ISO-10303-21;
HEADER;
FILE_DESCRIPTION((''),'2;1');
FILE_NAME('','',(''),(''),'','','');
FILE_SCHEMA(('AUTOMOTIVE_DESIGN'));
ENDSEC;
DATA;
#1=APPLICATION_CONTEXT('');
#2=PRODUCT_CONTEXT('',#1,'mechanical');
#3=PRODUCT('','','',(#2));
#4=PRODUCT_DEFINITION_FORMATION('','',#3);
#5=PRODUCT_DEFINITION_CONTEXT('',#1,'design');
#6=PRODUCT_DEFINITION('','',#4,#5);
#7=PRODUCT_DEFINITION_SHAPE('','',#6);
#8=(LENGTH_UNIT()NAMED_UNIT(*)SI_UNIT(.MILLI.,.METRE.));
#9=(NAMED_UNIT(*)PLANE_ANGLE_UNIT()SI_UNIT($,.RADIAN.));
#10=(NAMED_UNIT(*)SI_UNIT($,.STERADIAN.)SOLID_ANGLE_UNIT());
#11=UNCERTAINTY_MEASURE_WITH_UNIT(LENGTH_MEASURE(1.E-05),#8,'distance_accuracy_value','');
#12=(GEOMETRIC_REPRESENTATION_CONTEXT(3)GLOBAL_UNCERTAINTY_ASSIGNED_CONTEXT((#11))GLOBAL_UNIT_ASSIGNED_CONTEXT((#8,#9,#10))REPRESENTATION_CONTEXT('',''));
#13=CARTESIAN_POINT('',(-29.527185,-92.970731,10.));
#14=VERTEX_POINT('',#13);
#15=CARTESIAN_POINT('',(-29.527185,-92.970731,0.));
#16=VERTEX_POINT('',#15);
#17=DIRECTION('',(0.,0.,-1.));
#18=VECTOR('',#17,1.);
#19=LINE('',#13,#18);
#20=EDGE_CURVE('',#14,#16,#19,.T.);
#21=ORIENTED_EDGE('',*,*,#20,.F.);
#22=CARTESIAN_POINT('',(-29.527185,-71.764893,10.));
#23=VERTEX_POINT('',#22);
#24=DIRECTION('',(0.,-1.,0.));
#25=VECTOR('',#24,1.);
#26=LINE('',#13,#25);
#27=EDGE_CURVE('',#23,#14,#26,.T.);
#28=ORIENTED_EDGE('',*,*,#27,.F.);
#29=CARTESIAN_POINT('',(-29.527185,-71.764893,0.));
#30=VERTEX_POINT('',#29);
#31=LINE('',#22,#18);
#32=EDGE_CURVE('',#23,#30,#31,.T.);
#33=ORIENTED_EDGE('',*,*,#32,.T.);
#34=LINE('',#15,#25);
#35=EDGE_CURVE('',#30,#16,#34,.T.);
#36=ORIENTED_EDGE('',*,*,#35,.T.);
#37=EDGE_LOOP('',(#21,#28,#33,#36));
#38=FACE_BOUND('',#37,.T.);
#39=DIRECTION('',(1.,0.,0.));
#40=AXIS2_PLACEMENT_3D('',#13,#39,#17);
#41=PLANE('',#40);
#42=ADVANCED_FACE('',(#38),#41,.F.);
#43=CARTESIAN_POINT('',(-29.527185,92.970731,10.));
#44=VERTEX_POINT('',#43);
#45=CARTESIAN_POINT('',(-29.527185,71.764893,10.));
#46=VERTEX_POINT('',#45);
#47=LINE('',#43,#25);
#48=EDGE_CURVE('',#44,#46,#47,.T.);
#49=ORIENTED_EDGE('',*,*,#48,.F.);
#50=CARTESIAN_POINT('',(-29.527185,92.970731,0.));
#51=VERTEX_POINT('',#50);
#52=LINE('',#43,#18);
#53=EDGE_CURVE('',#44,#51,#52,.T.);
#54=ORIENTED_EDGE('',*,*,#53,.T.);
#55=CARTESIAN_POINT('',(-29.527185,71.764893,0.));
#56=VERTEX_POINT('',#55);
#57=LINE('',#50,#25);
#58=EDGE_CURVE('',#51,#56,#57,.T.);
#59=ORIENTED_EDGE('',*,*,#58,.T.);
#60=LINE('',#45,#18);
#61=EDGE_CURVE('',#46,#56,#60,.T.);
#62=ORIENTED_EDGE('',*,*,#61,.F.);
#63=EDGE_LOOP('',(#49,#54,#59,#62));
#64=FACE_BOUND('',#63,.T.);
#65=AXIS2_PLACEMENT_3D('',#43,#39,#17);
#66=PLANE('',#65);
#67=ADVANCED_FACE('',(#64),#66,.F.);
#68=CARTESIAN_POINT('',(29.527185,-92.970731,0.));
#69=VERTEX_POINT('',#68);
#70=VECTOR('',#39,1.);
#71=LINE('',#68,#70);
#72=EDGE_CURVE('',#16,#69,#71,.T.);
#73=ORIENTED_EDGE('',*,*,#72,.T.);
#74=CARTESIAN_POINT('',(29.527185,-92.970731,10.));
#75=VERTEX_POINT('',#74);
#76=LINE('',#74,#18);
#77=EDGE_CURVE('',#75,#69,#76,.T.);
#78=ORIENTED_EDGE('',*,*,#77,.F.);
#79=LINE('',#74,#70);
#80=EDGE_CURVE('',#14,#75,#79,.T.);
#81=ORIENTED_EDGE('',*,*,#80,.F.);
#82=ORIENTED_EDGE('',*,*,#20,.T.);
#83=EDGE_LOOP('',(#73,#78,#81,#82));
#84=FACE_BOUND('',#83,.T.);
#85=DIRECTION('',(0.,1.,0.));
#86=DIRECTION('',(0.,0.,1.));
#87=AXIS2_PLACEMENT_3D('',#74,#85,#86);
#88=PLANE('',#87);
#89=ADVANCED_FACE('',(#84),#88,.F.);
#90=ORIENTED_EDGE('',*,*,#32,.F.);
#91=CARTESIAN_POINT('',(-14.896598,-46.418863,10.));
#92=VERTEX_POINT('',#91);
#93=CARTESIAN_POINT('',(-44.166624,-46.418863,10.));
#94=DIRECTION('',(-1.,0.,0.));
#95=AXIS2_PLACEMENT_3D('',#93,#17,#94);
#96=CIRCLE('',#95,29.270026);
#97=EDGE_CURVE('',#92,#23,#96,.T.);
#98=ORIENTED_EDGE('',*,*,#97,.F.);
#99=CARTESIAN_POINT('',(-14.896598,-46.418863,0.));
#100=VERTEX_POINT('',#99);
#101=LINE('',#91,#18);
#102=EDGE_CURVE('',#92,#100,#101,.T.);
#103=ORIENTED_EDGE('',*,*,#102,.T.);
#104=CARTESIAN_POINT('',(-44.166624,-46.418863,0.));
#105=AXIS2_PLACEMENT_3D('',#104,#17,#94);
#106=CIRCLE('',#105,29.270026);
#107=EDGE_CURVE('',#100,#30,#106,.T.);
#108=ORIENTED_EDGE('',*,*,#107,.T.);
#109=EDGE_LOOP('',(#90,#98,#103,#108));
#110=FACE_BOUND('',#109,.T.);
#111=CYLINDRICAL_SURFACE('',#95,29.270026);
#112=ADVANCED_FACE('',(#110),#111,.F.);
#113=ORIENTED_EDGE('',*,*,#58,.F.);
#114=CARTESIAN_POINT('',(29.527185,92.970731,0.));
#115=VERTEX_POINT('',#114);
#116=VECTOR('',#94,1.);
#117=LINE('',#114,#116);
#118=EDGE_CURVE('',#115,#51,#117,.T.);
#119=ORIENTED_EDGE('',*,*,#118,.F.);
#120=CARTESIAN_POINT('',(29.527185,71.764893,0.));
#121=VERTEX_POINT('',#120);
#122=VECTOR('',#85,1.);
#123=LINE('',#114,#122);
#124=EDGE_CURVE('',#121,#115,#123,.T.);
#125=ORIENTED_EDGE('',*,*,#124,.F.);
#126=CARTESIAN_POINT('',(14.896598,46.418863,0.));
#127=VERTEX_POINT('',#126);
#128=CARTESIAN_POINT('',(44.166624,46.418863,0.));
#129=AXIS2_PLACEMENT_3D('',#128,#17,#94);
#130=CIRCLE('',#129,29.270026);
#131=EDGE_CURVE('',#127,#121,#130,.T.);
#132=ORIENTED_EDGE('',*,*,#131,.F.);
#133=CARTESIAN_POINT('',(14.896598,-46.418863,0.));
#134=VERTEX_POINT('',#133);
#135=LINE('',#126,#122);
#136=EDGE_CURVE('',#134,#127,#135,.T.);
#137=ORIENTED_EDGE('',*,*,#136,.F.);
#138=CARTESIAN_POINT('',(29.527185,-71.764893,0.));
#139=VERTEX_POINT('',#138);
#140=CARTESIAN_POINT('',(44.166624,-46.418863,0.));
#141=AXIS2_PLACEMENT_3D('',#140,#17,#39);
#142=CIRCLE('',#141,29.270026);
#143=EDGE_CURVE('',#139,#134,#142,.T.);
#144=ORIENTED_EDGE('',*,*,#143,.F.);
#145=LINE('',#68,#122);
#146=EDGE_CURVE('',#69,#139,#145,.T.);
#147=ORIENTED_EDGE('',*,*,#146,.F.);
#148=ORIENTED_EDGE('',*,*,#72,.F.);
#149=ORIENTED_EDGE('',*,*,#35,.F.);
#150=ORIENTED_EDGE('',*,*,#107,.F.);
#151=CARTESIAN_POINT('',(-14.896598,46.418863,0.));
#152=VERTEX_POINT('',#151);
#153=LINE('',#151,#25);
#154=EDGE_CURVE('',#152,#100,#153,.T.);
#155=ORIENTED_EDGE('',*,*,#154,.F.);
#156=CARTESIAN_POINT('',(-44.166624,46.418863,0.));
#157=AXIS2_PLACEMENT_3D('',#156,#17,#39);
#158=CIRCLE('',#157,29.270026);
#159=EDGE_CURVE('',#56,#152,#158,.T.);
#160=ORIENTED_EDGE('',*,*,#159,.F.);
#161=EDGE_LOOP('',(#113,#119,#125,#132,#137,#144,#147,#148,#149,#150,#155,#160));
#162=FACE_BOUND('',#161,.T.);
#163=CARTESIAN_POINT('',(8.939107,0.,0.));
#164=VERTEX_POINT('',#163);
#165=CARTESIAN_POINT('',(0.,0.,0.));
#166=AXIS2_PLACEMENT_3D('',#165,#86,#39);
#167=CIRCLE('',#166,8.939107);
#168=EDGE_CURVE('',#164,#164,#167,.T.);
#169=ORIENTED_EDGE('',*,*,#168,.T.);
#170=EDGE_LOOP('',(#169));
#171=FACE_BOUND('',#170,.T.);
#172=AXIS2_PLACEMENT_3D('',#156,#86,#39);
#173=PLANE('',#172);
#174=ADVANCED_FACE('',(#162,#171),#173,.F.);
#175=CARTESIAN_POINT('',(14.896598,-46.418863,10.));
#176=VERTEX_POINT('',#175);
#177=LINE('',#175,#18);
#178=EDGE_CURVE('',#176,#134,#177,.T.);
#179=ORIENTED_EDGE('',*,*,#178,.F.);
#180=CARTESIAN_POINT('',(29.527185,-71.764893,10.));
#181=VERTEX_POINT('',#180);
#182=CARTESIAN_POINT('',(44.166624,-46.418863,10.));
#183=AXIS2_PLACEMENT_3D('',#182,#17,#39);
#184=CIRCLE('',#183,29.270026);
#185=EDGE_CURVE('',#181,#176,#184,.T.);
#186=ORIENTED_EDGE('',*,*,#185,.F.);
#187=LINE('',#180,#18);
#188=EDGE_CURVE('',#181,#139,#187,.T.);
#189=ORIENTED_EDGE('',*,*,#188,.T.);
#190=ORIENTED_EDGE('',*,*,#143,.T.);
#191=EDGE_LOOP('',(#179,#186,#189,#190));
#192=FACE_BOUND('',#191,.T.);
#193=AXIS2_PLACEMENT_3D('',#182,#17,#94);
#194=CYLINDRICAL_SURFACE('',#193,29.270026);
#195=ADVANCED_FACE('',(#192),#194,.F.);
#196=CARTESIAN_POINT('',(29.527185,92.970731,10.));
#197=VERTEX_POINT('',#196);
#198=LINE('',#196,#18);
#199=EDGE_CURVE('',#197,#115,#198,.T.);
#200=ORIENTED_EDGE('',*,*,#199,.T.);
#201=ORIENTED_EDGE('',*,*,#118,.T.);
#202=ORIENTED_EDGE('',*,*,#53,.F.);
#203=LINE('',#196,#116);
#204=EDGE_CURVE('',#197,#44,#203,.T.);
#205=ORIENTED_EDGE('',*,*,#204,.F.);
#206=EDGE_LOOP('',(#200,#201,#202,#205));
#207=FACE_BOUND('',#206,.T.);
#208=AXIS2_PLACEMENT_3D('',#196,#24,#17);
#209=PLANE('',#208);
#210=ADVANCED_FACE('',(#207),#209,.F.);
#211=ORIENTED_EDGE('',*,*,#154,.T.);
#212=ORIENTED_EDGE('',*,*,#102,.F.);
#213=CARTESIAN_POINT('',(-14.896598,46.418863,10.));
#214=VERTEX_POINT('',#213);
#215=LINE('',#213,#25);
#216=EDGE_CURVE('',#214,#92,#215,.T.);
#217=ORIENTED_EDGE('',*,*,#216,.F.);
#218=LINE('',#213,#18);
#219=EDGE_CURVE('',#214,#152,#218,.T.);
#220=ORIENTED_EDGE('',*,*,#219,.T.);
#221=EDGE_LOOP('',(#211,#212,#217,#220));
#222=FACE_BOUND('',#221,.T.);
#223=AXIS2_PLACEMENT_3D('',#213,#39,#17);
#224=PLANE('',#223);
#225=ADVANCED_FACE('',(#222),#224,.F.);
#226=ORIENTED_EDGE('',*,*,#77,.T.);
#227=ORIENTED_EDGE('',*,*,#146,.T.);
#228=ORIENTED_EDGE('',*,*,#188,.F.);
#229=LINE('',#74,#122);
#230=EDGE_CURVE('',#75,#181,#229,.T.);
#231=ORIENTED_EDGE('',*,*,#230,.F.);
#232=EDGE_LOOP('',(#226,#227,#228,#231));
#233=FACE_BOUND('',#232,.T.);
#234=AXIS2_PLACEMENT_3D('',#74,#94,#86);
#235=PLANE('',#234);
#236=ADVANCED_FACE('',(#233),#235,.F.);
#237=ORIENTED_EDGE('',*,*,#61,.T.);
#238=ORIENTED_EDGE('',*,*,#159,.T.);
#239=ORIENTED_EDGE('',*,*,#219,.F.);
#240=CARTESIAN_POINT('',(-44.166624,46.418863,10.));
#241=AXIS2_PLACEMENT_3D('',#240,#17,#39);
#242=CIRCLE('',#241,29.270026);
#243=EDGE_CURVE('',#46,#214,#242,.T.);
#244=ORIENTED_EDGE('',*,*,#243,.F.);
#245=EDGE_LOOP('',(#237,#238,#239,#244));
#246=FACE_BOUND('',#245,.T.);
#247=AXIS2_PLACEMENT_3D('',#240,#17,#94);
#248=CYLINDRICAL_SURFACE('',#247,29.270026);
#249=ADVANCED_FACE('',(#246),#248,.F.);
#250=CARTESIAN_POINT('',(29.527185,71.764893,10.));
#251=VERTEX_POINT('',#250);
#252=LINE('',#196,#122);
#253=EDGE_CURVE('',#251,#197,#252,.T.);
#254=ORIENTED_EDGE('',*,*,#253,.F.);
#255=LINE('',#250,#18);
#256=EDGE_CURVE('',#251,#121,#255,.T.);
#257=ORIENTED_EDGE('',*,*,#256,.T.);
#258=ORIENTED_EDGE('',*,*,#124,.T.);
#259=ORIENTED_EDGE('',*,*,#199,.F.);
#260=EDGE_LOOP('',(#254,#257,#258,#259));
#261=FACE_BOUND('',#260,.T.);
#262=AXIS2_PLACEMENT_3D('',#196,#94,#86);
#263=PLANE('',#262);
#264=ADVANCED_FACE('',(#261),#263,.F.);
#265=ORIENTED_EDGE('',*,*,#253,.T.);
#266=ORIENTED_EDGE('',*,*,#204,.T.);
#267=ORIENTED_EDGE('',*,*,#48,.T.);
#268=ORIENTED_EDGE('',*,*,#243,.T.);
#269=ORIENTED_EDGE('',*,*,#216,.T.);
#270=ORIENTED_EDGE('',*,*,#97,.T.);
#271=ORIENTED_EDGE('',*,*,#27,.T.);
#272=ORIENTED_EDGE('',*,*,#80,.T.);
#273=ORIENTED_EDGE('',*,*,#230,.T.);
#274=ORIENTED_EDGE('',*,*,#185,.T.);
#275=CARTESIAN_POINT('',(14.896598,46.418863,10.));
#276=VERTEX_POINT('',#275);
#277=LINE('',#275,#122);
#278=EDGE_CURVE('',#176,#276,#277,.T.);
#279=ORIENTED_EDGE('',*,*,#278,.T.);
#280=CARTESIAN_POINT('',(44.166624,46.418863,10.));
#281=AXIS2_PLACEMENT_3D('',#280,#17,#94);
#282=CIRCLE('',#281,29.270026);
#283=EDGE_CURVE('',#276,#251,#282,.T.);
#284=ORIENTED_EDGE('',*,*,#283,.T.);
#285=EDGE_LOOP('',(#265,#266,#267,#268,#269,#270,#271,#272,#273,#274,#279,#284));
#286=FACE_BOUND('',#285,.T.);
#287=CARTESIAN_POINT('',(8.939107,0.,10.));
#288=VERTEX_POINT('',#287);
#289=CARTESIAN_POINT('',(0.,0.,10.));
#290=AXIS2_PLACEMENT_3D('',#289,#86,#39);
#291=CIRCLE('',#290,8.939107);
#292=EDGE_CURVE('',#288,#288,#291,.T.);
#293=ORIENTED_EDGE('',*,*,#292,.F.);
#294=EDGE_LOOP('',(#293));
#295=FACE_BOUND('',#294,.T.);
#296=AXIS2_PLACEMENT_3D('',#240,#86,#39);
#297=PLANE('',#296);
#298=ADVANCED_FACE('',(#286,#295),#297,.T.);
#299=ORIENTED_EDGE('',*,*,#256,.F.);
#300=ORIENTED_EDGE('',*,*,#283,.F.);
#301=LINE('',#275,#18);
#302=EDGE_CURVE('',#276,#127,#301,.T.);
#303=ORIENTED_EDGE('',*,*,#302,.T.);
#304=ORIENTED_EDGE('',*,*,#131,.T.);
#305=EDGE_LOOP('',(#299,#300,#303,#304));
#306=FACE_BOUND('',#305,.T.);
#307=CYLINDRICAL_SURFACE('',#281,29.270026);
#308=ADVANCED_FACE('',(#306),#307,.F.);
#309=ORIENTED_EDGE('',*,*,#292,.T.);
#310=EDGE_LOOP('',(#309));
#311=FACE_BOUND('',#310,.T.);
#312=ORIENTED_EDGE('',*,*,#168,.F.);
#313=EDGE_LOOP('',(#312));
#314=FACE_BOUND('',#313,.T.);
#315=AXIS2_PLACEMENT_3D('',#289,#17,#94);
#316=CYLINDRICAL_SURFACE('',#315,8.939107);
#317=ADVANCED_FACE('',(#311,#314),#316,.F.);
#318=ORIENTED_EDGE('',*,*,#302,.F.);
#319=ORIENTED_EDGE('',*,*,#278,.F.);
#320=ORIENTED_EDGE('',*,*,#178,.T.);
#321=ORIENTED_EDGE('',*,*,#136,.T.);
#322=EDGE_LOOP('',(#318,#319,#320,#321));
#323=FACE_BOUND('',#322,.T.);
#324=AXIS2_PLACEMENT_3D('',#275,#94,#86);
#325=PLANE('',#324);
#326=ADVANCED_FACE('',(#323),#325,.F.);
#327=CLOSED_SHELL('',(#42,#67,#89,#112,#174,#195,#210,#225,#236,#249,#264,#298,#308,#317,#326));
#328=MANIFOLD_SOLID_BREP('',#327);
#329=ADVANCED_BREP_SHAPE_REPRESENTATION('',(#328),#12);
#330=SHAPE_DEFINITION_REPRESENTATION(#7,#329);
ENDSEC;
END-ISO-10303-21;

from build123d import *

# Parameters (mm, degrees)
SKETCH1_R           = 8.939106544
BOSS_EXTRUDE1_DEPTH = 10


with BuildPart() as part:
    # Sketch1 → Boss-Extrude1 (new body)
    with BuildSketch(Plane.XY):
        with BuildLine():
            Line((29.527184843, 92.970730655), (-29.527184843, 92.970730655))
            Line((-29.527184843, 92.970730655), (-29.527184843, 71.764892873))
            ThreePointArc((-29.527184843, 71.764892873), (-18.816760055, 61.051662511), (-14.896597759, 46.418862659))
            Line((-14.896597759, 46.418862659), (-14.896597759, -46.418862659))
            ThreePointArc((-14.896597759, -46.418862659), (-18.816760055, -61.051662511), (-29.527184843, -71.764892873))
            Line((-29.527184843, -71.764892873), (-29.527184843, -92.970730655))
            Line((-29.527184843, -92.970730655), (29.527184843, -92.970730655))
            Line((29.527184843, -92.970730655), (29.527184843, -71.764892873))
            ThreePointArc((29.527184843, -71.764892873), (18.816760055, -61.051662511), (14.896597759, -46.418862659))
            Line((14.896597759, -46.418862659), (14.896597759, 46.418862659))
            ThreePointArc((14.896597759, 46.418862659), (18.816760055, 61.051662511), (29.527184843, 71.764892873))
            Line((29.527184843, 71.764892873), (29.527184843, 92.970730655))
        make_face()
        Circle(SKETCH1_R, mode=Mode.SUBTRACT)
    extrude(amount=BOSS_EXTRUDE1_DEPTH)


solid = part.part
